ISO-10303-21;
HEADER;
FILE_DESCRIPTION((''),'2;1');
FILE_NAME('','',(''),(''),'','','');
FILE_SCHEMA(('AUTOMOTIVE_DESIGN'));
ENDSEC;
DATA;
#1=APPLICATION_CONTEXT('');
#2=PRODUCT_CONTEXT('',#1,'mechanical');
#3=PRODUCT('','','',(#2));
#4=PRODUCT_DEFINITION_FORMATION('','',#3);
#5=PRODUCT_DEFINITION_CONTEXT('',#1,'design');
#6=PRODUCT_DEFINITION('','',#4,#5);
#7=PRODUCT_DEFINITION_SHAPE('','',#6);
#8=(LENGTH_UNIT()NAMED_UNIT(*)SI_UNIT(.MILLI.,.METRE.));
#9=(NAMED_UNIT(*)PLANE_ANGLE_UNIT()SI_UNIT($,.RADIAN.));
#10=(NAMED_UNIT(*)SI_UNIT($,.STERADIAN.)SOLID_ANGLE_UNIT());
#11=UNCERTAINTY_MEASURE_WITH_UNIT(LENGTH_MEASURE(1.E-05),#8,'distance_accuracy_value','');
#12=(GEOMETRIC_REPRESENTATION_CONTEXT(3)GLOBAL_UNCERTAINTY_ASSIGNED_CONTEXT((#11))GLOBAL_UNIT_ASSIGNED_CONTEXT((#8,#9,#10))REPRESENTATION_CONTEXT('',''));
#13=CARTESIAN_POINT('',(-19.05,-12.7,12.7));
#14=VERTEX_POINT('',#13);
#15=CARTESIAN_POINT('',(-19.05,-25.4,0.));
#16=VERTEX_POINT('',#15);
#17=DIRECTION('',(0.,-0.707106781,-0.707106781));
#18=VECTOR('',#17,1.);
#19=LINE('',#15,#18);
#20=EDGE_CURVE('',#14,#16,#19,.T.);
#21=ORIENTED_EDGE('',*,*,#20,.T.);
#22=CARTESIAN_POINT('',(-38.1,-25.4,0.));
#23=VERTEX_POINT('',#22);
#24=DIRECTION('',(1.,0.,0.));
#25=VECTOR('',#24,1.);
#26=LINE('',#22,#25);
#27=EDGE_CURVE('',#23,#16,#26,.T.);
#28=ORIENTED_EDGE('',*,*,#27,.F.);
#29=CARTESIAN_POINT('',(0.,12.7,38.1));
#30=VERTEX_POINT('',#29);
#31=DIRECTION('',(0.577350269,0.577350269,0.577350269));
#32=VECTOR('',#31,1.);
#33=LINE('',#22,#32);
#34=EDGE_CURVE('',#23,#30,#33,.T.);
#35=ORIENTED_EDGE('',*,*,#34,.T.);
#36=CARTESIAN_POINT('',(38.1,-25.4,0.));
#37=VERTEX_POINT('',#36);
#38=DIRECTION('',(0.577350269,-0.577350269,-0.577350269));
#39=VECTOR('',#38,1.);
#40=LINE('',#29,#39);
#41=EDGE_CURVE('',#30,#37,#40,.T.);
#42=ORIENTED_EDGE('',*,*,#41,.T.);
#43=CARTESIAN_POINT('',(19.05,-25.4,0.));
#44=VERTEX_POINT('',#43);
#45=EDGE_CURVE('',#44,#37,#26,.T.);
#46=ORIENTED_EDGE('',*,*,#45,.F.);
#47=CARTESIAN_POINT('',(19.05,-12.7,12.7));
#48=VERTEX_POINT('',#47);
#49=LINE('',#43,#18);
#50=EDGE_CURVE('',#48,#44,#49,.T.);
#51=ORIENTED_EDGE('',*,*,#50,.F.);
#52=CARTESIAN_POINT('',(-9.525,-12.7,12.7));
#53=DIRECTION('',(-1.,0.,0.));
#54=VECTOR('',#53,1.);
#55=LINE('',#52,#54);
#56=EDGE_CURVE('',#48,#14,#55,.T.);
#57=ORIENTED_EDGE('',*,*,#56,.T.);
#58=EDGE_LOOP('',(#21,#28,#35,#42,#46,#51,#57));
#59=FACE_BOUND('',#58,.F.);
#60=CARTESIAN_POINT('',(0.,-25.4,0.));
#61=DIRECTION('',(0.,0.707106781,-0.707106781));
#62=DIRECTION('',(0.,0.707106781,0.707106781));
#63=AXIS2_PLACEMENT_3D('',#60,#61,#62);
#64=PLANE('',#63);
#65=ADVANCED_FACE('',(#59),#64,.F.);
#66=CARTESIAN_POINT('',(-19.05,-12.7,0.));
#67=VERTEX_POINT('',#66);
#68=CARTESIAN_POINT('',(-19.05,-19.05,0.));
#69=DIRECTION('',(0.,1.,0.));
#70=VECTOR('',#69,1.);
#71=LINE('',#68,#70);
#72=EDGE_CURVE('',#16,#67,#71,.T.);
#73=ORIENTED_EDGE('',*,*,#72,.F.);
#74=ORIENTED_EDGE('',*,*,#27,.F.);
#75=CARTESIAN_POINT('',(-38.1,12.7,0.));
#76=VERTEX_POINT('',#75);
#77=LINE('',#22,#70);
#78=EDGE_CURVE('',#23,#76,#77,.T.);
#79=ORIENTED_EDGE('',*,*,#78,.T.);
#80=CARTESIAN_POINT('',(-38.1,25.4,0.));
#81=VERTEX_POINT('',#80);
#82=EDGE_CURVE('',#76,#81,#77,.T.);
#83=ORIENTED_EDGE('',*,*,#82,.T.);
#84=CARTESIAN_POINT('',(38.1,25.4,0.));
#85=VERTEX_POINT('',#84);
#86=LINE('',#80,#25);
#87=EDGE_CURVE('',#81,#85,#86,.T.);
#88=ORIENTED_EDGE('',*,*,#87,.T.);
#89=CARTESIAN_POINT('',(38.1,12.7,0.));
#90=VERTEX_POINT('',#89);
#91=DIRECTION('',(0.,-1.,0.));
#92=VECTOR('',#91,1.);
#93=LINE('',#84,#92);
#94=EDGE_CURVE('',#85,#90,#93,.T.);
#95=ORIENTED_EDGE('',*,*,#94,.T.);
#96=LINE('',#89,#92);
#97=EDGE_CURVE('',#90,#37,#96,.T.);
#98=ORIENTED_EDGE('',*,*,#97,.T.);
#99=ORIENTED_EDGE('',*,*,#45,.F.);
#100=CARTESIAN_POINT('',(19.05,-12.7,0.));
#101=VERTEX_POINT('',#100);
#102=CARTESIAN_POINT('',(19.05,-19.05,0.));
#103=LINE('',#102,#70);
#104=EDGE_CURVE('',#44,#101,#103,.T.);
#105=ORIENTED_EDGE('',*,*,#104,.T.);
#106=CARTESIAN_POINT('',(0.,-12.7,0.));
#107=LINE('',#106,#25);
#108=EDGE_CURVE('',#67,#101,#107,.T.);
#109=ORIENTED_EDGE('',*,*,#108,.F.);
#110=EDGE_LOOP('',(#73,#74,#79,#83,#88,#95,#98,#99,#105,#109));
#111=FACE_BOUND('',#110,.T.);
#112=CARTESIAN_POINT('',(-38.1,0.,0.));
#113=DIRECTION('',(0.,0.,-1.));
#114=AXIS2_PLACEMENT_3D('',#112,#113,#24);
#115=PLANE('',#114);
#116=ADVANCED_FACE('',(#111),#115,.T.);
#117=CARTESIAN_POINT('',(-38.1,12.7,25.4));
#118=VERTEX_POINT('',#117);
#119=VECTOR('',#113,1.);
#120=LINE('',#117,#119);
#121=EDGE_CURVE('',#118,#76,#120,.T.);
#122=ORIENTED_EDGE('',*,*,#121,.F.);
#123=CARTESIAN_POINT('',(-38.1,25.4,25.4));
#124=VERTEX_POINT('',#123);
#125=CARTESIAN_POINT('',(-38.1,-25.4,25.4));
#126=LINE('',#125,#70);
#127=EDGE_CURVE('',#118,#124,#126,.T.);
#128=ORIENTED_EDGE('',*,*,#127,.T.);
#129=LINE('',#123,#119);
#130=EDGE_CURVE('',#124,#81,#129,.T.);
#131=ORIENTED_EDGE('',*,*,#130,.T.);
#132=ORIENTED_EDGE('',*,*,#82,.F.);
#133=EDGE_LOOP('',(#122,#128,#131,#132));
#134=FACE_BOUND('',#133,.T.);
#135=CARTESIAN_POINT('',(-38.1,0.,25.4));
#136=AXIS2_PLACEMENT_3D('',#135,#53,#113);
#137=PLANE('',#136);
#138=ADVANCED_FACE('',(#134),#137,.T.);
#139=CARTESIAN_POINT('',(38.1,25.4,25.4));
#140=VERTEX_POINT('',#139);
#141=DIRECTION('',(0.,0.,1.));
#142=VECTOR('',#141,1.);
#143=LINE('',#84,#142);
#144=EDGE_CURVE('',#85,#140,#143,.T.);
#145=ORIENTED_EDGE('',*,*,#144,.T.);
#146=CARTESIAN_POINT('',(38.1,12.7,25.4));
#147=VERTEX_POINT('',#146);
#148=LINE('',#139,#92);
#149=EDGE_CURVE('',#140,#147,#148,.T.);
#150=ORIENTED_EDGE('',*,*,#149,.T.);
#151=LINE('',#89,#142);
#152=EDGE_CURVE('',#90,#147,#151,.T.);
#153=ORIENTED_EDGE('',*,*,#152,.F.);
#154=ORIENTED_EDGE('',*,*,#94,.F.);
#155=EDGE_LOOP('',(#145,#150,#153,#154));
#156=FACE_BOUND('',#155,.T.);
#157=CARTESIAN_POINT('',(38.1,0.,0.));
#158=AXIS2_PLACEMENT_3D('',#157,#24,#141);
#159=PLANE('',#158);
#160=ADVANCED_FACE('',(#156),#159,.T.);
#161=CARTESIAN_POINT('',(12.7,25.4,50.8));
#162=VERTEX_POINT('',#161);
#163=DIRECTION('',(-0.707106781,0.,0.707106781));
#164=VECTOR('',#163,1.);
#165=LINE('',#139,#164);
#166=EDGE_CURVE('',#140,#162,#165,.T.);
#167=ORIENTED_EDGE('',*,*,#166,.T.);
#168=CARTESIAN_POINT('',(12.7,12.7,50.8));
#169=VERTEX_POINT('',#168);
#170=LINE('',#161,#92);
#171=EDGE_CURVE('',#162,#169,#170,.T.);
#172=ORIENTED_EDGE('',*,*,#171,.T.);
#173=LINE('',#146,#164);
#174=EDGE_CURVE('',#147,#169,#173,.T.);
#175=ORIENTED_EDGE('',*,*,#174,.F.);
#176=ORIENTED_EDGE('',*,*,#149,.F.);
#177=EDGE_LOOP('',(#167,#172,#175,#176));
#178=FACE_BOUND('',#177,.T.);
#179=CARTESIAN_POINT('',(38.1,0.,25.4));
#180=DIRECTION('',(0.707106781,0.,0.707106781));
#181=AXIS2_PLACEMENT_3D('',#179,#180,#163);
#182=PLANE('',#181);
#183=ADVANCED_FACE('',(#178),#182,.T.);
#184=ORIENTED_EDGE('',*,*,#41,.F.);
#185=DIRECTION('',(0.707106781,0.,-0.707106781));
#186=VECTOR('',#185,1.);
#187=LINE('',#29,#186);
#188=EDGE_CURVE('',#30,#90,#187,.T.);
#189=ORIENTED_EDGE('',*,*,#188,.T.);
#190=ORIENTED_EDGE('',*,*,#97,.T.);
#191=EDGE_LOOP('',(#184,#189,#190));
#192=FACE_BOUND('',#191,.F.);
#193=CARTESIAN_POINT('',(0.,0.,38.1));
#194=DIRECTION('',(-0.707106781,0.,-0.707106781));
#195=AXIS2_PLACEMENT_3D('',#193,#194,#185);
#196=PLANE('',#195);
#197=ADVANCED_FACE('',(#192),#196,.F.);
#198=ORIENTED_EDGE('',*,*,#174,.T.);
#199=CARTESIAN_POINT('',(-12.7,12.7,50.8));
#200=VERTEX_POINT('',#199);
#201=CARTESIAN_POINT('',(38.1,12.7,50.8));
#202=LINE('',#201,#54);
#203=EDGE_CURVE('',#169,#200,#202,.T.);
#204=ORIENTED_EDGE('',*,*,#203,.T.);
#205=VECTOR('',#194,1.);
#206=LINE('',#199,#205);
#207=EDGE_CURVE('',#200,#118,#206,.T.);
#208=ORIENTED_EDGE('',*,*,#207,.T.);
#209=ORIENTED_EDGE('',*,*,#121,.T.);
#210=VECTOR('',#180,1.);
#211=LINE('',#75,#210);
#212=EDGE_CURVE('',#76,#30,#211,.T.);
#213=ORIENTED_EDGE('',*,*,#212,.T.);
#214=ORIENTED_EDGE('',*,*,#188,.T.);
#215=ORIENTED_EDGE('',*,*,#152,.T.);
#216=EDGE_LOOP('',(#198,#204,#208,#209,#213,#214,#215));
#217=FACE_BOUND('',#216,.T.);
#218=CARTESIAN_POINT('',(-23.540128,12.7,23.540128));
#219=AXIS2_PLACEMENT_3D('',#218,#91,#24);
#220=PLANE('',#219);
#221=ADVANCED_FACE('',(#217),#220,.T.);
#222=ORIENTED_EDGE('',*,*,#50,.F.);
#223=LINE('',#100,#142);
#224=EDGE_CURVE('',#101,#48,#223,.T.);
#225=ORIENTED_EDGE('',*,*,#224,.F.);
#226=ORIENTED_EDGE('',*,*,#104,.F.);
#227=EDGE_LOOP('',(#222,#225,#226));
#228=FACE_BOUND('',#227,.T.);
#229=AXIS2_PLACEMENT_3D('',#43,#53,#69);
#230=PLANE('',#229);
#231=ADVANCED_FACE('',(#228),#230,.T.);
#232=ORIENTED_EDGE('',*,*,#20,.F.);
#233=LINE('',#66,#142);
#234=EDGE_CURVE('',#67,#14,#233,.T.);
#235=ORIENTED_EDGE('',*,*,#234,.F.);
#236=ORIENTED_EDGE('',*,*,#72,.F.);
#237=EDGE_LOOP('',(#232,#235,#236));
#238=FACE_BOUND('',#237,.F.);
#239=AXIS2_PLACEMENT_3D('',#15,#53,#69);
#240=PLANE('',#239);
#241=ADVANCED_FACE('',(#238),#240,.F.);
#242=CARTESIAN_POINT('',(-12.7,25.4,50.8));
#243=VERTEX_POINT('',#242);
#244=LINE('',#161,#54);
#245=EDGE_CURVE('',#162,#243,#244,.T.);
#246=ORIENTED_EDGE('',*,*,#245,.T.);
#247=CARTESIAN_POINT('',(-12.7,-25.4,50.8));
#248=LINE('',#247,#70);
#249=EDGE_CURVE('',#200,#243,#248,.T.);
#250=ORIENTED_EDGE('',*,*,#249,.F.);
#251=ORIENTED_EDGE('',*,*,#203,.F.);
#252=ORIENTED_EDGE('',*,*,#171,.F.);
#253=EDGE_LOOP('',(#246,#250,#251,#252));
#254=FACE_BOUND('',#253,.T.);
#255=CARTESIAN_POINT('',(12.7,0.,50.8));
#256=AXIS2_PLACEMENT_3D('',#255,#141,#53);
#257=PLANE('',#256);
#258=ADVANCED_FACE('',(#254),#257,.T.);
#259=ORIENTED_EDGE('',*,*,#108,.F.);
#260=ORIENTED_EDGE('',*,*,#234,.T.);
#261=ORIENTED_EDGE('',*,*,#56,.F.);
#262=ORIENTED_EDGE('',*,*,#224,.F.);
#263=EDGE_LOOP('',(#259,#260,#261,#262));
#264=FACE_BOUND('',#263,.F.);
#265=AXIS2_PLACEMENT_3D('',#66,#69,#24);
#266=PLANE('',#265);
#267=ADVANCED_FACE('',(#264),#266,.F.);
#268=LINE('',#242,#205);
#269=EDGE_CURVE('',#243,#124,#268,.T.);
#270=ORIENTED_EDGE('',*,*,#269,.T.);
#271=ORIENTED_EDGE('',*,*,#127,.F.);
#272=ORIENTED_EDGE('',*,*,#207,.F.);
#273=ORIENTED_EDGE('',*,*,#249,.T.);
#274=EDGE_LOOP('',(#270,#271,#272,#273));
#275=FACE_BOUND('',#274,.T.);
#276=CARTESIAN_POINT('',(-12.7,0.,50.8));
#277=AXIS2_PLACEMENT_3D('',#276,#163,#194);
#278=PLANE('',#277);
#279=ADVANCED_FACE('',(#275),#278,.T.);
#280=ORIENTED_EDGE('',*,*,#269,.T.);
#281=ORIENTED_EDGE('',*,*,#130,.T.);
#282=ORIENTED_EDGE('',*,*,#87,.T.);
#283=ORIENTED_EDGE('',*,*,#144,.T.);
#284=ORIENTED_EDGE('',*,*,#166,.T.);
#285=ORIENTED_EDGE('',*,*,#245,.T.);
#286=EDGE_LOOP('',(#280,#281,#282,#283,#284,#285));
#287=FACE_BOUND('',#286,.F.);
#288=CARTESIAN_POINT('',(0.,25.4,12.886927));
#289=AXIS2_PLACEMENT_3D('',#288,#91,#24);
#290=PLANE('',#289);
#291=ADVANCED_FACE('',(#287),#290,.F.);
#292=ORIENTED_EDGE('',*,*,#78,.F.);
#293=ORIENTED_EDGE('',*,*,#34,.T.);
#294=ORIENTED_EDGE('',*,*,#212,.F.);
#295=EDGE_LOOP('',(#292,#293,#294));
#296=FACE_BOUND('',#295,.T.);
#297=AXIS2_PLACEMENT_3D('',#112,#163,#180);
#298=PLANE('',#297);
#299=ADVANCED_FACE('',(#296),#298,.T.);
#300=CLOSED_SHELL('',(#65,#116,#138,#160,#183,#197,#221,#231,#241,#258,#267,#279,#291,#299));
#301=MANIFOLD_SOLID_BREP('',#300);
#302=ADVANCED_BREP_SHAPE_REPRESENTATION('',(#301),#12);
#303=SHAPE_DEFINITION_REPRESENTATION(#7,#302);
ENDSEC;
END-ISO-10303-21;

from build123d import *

# Parameters (mm, degrees)
F0_W          = 38.1
F0_H          = 12.7
F1_DEPTH      = 25.4
F2_W          = 38.1
F2_H          = 12.7
F3_DEPTH      = 50.801
F5_DEPTH      = 38.1
F7_DEPTH      = 12.7
F7_DEPTH_BACK = 25.4
F8_DEPTH      = 25.4
F8_DEPTH_BACK = 12.7


with BuildPart() as f1:
    # F0 (on Front) → F1 (new body, symmetric)
    with BuildSketch(Plane.XZ):
        Polygon((-38.1, 0), (-19.05, 0), (-19.05, 12.7), (19.05, 12.7), (19.05, 0), (38.1, 0), (0, 38.1), align=None)
        with Locations((0, 6.35)):
            Rectangle(F0_W, F0_H)
        Polygon((-38.1, 25.4), (-38.1, 0), (0, 38.1), (38.1, 0), (38.1, 25.4), (12.7, 50.8), (-12.7, 50.8), align=None)
    extrude(amount=F1_DEPTH, both=True)

    # F2 (on Top) → F3 (cut, through all)
    with BuildSketch(Plane.XY):
        with Locations((0, -19.05)):
            Rectangle(F2_W, F2_H)
    extrude(amount=F3_DEPTH, mode=Mode.SUBTRACT)

    # F4 (on Right) → F5 (cut, symmetric)
    with BuildSketch(Plane.YZ):
        Polygon((-25.4, 50.8), (-25.4, 0), (12.7, 38.1), (12.7, 50.8), align=None)
    extrude(amount=F5_DEPTH, both=True, mode=Mode.SUBTRACT)

    # F6 (on Front) → F7 (cut, two sides)
    with BuildSketch(Plane.XZ) as f7_sk:
        Polygon((-38.1, 0), (0, 38.1), (-25.4, 38.1), (-38.1, 25.4), align=None)
    extrude(amount=-F7_DEPTH, mode=Mode.SUBTRACT)
    extrude(f7_sk.sketch, amount=F7_DEPTH_BACK, mode=Mode.SUBTRACT)

    # F6 (on Front) → F8 (cut, two sides)
    with BuildSketch(Plane.XZ) as f8_sk:
        Polygon((0, 38.1), (38.1, 0), (38.1, 25.4), (25.4, 38.1), align=None)
    extrude(amount=F8_DEPTH, mode=Mode.SUBTRACT)
    extrude(f8_sk.sketch, amount=-F8_DEPTH_BACK, mode=Mode.SUBTRACT)


solid = f1.part
